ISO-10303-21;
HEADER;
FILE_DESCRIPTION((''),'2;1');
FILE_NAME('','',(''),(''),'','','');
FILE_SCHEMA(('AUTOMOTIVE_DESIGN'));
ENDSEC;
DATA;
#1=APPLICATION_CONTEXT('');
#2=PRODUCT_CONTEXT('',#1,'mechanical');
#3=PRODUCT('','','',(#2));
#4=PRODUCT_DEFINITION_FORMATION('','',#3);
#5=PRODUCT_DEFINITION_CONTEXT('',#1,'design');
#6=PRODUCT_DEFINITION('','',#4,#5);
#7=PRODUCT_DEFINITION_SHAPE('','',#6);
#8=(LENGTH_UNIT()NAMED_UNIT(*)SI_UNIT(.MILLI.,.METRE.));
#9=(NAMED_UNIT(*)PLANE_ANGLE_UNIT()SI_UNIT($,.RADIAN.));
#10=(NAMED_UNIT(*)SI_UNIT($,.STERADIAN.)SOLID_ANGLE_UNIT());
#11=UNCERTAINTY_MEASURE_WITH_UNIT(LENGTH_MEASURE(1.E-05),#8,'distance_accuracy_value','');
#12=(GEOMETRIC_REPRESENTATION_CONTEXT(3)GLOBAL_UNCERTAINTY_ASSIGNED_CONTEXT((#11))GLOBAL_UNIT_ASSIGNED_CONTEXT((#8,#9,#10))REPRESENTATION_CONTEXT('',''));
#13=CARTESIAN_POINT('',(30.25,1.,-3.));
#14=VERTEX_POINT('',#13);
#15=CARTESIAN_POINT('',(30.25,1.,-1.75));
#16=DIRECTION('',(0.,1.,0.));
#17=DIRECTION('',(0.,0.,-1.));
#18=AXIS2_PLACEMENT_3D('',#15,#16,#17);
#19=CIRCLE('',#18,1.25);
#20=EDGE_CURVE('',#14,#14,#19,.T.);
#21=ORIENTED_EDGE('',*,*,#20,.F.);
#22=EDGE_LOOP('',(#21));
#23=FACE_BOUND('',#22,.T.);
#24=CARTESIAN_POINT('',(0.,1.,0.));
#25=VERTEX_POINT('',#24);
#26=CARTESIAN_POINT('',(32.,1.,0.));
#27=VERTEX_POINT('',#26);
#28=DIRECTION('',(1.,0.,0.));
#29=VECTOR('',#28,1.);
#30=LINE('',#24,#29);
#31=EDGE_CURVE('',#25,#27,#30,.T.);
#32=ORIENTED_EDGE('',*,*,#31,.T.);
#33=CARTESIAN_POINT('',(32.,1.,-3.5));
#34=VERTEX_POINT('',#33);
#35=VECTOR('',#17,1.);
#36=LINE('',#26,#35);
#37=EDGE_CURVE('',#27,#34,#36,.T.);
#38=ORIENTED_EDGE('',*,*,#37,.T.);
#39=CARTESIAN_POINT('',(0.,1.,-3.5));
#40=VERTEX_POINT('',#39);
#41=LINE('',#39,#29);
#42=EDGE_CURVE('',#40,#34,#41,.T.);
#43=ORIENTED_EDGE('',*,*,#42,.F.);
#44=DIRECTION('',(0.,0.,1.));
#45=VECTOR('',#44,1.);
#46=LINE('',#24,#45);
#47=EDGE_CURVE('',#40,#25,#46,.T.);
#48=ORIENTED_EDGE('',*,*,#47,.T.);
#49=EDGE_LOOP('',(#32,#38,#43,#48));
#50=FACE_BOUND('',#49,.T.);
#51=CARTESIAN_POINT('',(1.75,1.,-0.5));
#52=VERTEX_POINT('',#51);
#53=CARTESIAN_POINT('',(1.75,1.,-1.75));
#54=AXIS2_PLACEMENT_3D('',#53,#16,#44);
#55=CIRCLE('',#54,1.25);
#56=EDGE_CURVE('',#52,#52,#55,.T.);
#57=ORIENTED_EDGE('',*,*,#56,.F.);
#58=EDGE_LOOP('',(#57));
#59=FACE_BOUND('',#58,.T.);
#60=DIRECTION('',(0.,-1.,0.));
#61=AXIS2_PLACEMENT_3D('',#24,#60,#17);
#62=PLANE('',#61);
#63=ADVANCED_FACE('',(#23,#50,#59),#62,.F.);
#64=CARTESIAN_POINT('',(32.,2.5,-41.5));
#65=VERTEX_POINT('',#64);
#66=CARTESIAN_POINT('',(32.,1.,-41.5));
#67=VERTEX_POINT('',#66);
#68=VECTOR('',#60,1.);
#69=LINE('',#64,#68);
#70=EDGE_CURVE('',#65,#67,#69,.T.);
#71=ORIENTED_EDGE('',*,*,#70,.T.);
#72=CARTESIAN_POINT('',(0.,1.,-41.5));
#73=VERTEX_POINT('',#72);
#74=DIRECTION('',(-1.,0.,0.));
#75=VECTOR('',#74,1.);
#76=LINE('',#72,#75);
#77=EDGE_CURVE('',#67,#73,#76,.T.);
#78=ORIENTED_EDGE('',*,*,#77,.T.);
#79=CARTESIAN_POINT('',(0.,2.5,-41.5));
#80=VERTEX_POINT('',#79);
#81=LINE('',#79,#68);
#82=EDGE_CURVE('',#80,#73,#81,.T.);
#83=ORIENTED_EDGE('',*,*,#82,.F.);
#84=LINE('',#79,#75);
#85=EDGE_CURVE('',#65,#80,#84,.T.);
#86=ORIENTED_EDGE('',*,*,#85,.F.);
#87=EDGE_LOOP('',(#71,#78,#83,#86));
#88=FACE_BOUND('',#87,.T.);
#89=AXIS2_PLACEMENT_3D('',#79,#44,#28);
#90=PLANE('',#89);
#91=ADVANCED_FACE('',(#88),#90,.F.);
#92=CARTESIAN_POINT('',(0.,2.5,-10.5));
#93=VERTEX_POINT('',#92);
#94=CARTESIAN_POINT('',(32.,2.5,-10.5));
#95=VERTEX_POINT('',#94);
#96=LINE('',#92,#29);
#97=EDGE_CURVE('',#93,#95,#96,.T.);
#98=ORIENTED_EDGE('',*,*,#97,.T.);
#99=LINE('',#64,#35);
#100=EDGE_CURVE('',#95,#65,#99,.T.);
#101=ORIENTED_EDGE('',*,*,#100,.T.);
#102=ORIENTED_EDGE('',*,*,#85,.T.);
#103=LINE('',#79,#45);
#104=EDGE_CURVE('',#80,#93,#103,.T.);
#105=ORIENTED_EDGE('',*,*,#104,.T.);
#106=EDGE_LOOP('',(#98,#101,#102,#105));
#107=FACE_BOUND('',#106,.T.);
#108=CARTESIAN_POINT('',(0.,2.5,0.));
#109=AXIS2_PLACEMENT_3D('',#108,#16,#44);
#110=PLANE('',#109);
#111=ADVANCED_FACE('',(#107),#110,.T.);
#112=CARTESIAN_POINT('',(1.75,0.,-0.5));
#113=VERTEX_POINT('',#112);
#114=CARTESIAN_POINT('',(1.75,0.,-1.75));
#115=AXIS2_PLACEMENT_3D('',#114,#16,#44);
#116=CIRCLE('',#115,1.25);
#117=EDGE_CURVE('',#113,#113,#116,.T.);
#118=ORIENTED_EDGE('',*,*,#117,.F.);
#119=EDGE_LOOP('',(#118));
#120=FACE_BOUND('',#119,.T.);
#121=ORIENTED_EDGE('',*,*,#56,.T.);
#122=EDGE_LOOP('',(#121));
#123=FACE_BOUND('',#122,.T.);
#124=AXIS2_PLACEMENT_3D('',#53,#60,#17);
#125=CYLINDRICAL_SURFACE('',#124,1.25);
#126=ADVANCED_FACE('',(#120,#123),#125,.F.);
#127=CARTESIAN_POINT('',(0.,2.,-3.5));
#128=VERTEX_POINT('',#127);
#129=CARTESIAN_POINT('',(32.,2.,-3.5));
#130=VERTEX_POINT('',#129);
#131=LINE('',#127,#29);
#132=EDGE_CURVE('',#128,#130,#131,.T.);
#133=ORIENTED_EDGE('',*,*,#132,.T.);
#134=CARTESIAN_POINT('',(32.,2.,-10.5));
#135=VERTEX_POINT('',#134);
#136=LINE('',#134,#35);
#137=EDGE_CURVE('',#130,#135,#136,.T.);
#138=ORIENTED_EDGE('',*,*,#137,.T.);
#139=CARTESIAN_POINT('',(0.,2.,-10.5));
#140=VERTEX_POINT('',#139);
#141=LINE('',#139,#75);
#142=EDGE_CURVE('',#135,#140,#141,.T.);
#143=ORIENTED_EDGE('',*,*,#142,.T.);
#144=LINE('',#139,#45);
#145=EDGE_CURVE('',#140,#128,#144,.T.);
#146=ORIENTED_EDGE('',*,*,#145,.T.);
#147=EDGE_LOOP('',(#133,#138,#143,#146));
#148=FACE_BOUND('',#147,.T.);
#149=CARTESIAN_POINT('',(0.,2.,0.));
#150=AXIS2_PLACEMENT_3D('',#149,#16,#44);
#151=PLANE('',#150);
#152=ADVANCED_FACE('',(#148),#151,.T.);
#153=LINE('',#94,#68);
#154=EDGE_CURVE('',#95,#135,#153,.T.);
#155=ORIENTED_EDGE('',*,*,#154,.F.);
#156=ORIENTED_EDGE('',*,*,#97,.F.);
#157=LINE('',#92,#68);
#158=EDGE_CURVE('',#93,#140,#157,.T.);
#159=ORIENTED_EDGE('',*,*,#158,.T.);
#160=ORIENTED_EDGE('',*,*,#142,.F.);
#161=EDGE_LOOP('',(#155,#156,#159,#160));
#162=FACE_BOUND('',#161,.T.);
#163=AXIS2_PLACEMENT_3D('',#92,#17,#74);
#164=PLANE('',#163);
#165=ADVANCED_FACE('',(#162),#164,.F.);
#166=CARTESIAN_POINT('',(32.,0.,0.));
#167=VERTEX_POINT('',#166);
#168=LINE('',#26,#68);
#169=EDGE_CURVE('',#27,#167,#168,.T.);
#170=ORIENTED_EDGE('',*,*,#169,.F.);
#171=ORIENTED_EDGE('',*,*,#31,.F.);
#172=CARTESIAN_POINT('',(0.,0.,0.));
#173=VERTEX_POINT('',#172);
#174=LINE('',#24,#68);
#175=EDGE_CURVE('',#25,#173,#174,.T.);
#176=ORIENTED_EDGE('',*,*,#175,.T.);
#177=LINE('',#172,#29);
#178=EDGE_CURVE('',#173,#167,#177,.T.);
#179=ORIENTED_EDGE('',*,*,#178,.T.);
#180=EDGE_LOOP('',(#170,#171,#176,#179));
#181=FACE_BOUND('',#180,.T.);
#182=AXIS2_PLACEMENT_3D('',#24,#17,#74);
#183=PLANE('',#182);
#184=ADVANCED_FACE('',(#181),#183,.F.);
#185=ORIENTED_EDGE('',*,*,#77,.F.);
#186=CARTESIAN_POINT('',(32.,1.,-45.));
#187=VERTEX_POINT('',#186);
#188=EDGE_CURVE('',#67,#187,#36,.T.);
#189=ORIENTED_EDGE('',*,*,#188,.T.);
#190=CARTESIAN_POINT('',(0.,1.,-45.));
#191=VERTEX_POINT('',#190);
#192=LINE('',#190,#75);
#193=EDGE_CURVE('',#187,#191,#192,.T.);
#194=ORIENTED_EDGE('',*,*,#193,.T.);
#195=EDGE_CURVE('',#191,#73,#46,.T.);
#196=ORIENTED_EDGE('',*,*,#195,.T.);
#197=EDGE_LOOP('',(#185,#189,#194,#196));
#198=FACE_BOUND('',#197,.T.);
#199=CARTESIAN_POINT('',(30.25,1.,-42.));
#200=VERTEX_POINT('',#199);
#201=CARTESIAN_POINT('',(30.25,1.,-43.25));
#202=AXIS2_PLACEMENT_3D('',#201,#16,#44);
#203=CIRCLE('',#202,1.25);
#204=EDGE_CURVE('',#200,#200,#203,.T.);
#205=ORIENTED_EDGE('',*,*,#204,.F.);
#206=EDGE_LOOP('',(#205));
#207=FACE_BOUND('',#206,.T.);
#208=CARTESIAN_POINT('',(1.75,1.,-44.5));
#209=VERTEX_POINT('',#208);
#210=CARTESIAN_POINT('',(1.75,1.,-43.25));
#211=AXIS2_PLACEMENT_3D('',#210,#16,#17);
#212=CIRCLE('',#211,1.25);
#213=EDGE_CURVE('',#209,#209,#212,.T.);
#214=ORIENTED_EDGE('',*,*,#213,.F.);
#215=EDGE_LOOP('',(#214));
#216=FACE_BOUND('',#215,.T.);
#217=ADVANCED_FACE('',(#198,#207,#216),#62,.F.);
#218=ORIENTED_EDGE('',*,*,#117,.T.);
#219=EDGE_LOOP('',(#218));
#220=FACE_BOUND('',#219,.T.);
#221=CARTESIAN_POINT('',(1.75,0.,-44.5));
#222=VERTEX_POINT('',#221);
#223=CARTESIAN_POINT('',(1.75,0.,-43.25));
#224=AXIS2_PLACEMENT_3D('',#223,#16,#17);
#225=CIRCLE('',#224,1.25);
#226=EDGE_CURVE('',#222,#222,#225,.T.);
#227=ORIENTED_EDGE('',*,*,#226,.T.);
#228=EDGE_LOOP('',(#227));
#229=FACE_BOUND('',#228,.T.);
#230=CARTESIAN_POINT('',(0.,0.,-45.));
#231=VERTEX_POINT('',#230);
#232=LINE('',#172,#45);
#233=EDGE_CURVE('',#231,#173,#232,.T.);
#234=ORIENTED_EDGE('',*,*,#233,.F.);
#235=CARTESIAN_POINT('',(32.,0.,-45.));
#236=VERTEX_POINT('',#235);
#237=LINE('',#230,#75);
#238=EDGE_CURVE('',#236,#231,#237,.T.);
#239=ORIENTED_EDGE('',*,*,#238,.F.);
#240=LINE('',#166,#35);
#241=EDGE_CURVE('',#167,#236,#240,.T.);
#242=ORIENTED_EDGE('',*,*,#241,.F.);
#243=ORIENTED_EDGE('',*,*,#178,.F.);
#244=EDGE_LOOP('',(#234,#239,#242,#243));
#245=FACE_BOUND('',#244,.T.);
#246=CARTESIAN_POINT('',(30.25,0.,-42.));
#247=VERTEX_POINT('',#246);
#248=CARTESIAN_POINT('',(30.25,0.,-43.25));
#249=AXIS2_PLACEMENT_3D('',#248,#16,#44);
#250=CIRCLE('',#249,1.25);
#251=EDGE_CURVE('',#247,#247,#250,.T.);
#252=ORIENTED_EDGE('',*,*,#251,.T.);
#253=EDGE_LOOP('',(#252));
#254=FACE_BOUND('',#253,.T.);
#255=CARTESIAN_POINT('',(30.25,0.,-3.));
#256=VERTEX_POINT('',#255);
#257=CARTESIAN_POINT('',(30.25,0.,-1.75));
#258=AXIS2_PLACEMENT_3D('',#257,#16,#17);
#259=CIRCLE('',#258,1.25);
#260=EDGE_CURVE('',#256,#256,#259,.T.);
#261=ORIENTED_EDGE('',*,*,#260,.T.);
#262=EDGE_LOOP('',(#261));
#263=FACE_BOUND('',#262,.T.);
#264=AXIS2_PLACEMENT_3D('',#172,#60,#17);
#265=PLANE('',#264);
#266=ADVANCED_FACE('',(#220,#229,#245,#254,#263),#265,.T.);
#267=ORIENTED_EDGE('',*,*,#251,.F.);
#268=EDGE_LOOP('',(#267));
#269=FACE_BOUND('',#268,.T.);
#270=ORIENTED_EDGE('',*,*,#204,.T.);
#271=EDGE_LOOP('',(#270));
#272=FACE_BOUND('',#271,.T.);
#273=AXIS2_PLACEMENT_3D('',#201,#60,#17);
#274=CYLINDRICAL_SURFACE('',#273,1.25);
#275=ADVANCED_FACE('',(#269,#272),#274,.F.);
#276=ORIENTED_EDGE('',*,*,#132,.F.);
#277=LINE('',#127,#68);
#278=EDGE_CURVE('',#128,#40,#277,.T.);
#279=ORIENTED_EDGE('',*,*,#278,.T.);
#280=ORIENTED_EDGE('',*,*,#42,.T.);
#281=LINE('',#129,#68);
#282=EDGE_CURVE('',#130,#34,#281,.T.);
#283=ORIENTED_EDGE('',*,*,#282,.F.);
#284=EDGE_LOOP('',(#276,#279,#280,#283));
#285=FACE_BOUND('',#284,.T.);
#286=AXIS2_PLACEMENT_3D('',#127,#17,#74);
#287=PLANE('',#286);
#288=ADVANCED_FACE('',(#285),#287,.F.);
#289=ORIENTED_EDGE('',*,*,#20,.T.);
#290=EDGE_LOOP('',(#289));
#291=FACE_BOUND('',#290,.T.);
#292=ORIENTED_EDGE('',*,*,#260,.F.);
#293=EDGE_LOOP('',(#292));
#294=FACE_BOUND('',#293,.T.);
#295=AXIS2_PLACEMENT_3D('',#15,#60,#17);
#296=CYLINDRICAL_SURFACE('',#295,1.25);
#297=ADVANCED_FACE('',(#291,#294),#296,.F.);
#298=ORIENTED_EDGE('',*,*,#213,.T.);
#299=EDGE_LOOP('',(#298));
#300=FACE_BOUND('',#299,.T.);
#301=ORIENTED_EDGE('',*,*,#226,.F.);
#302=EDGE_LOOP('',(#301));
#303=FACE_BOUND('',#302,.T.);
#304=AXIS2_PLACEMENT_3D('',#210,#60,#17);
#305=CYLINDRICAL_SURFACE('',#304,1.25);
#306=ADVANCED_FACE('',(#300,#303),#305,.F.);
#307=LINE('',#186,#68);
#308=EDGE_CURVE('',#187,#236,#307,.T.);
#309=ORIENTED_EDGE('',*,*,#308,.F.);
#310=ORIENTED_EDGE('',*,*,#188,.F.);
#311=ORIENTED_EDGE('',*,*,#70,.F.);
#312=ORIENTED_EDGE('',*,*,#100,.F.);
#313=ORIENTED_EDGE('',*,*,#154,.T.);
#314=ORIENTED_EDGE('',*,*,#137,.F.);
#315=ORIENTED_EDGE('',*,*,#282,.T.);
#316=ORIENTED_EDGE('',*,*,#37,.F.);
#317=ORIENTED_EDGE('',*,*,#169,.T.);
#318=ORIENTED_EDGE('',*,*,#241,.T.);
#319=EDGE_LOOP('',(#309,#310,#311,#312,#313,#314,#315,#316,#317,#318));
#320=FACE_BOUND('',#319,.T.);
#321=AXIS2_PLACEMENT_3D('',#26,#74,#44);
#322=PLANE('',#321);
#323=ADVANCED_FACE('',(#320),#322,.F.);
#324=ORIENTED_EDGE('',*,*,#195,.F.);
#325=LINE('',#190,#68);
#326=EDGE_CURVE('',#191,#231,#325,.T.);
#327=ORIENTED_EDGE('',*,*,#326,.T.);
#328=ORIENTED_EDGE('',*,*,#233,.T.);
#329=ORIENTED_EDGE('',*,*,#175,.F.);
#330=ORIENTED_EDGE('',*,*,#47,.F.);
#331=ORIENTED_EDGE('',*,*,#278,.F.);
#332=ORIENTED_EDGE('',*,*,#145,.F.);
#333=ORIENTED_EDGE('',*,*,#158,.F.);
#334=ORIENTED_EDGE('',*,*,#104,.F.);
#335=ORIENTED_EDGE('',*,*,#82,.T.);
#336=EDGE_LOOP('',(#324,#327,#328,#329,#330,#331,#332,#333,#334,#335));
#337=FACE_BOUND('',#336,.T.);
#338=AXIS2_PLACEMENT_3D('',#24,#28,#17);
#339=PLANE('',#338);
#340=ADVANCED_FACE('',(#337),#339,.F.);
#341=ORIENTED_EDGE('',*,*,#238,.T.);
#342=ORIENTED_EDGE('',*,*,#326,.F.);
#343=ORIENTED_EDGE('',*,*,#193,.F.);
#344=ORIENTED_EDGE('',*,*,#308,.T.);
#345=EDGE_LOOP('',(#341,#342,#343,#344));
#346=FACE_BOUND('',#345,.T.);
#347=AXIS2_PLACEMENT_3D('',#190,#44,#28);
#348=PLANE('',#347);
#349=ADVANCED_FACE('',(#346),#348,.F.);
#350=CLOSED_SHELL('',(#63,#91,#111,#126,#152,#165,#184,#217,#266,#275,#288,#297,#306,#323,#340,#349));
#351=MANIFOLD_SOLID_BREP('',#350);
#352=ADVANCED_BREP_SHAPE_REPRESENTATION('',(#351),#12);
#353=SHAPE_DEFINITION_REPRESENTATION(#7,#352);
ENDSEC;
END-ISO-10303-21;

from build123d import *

# Parameters (mm, degrees)
SKETCH_1_W      = 32
SKETCH_1_H      = 45
SKETCH_1_R      = 1.25
EXTRUDE_1_DEPTH = 1
SKETCH_2_W      = 32
SKETCH_2_H      = 31
EXTRUDE_2_DEPTH = 1.5
SKETCH_3_W      = 32
SKETCH_3_H      = 7
EXTRUDE_3_DEPTH = 1


with BuildPart() as part:
    # 草图1 → 凸台-拉伸1 (new body)
    with BuildSketch(Plane(origin=(0, 0, 0), x_dir=(1, 0, 0), z_dir=(0, 1, 0))):
        with Locations((16, 22.5)):
            Rectangle(SKETCH_1_W, SKETCH_1_H)
        with Locations(Location((30.25, 43.25, 0), (0, 0, 270))):
            Circle(SKETCH_1_R, mode=Mode.SUBTRACT)
        with Locations(Location((30.25, 1.75, 0), (0, 0, 90))):
            Circle(SKETCH_1_R, mode=Mode.SUBTRACT)
        with Locations(Location((1.75, 1.75, 0), (0, 0, 270))):
            Circle(SKETCH_1_R, mode=Mode.SUBTRACT)
        with Locations(Location((1.75, 43.25, 0), (0, 0, 90))):
            Circle(SKETCH_1_R, mode=Mode.SUBTRACT)
    extrude(amount=EXTRUDE_1_DEPTH)

    # 草图2 → 凸台-拉伸2 (add)
    with BuildSketch(Plane(origin=(0, 1, 0), x_dir=(1, 0, 0), z_dir=(0, 1, 0))):
        with Locations((16, 26)):
            Rectangle(SKETCH_2_W, SKETCH_2_H)
    extrude(amount=EXTRUDE_2_DEPTH)

    # 草图3 → 凸台-拉伸3 (add)
    with BuildSketch(Plane(origin=(0, 1, 0), x_dir=(1, 0, 0), z_dir=(0, 1, 0))):
        with Locations((16, 7)):
            Rectangle(SKETCH_3_W, SKETCH_3_H)
    extrude(amount=EXTRUDE_3_DEPTH)


solid = part.part
